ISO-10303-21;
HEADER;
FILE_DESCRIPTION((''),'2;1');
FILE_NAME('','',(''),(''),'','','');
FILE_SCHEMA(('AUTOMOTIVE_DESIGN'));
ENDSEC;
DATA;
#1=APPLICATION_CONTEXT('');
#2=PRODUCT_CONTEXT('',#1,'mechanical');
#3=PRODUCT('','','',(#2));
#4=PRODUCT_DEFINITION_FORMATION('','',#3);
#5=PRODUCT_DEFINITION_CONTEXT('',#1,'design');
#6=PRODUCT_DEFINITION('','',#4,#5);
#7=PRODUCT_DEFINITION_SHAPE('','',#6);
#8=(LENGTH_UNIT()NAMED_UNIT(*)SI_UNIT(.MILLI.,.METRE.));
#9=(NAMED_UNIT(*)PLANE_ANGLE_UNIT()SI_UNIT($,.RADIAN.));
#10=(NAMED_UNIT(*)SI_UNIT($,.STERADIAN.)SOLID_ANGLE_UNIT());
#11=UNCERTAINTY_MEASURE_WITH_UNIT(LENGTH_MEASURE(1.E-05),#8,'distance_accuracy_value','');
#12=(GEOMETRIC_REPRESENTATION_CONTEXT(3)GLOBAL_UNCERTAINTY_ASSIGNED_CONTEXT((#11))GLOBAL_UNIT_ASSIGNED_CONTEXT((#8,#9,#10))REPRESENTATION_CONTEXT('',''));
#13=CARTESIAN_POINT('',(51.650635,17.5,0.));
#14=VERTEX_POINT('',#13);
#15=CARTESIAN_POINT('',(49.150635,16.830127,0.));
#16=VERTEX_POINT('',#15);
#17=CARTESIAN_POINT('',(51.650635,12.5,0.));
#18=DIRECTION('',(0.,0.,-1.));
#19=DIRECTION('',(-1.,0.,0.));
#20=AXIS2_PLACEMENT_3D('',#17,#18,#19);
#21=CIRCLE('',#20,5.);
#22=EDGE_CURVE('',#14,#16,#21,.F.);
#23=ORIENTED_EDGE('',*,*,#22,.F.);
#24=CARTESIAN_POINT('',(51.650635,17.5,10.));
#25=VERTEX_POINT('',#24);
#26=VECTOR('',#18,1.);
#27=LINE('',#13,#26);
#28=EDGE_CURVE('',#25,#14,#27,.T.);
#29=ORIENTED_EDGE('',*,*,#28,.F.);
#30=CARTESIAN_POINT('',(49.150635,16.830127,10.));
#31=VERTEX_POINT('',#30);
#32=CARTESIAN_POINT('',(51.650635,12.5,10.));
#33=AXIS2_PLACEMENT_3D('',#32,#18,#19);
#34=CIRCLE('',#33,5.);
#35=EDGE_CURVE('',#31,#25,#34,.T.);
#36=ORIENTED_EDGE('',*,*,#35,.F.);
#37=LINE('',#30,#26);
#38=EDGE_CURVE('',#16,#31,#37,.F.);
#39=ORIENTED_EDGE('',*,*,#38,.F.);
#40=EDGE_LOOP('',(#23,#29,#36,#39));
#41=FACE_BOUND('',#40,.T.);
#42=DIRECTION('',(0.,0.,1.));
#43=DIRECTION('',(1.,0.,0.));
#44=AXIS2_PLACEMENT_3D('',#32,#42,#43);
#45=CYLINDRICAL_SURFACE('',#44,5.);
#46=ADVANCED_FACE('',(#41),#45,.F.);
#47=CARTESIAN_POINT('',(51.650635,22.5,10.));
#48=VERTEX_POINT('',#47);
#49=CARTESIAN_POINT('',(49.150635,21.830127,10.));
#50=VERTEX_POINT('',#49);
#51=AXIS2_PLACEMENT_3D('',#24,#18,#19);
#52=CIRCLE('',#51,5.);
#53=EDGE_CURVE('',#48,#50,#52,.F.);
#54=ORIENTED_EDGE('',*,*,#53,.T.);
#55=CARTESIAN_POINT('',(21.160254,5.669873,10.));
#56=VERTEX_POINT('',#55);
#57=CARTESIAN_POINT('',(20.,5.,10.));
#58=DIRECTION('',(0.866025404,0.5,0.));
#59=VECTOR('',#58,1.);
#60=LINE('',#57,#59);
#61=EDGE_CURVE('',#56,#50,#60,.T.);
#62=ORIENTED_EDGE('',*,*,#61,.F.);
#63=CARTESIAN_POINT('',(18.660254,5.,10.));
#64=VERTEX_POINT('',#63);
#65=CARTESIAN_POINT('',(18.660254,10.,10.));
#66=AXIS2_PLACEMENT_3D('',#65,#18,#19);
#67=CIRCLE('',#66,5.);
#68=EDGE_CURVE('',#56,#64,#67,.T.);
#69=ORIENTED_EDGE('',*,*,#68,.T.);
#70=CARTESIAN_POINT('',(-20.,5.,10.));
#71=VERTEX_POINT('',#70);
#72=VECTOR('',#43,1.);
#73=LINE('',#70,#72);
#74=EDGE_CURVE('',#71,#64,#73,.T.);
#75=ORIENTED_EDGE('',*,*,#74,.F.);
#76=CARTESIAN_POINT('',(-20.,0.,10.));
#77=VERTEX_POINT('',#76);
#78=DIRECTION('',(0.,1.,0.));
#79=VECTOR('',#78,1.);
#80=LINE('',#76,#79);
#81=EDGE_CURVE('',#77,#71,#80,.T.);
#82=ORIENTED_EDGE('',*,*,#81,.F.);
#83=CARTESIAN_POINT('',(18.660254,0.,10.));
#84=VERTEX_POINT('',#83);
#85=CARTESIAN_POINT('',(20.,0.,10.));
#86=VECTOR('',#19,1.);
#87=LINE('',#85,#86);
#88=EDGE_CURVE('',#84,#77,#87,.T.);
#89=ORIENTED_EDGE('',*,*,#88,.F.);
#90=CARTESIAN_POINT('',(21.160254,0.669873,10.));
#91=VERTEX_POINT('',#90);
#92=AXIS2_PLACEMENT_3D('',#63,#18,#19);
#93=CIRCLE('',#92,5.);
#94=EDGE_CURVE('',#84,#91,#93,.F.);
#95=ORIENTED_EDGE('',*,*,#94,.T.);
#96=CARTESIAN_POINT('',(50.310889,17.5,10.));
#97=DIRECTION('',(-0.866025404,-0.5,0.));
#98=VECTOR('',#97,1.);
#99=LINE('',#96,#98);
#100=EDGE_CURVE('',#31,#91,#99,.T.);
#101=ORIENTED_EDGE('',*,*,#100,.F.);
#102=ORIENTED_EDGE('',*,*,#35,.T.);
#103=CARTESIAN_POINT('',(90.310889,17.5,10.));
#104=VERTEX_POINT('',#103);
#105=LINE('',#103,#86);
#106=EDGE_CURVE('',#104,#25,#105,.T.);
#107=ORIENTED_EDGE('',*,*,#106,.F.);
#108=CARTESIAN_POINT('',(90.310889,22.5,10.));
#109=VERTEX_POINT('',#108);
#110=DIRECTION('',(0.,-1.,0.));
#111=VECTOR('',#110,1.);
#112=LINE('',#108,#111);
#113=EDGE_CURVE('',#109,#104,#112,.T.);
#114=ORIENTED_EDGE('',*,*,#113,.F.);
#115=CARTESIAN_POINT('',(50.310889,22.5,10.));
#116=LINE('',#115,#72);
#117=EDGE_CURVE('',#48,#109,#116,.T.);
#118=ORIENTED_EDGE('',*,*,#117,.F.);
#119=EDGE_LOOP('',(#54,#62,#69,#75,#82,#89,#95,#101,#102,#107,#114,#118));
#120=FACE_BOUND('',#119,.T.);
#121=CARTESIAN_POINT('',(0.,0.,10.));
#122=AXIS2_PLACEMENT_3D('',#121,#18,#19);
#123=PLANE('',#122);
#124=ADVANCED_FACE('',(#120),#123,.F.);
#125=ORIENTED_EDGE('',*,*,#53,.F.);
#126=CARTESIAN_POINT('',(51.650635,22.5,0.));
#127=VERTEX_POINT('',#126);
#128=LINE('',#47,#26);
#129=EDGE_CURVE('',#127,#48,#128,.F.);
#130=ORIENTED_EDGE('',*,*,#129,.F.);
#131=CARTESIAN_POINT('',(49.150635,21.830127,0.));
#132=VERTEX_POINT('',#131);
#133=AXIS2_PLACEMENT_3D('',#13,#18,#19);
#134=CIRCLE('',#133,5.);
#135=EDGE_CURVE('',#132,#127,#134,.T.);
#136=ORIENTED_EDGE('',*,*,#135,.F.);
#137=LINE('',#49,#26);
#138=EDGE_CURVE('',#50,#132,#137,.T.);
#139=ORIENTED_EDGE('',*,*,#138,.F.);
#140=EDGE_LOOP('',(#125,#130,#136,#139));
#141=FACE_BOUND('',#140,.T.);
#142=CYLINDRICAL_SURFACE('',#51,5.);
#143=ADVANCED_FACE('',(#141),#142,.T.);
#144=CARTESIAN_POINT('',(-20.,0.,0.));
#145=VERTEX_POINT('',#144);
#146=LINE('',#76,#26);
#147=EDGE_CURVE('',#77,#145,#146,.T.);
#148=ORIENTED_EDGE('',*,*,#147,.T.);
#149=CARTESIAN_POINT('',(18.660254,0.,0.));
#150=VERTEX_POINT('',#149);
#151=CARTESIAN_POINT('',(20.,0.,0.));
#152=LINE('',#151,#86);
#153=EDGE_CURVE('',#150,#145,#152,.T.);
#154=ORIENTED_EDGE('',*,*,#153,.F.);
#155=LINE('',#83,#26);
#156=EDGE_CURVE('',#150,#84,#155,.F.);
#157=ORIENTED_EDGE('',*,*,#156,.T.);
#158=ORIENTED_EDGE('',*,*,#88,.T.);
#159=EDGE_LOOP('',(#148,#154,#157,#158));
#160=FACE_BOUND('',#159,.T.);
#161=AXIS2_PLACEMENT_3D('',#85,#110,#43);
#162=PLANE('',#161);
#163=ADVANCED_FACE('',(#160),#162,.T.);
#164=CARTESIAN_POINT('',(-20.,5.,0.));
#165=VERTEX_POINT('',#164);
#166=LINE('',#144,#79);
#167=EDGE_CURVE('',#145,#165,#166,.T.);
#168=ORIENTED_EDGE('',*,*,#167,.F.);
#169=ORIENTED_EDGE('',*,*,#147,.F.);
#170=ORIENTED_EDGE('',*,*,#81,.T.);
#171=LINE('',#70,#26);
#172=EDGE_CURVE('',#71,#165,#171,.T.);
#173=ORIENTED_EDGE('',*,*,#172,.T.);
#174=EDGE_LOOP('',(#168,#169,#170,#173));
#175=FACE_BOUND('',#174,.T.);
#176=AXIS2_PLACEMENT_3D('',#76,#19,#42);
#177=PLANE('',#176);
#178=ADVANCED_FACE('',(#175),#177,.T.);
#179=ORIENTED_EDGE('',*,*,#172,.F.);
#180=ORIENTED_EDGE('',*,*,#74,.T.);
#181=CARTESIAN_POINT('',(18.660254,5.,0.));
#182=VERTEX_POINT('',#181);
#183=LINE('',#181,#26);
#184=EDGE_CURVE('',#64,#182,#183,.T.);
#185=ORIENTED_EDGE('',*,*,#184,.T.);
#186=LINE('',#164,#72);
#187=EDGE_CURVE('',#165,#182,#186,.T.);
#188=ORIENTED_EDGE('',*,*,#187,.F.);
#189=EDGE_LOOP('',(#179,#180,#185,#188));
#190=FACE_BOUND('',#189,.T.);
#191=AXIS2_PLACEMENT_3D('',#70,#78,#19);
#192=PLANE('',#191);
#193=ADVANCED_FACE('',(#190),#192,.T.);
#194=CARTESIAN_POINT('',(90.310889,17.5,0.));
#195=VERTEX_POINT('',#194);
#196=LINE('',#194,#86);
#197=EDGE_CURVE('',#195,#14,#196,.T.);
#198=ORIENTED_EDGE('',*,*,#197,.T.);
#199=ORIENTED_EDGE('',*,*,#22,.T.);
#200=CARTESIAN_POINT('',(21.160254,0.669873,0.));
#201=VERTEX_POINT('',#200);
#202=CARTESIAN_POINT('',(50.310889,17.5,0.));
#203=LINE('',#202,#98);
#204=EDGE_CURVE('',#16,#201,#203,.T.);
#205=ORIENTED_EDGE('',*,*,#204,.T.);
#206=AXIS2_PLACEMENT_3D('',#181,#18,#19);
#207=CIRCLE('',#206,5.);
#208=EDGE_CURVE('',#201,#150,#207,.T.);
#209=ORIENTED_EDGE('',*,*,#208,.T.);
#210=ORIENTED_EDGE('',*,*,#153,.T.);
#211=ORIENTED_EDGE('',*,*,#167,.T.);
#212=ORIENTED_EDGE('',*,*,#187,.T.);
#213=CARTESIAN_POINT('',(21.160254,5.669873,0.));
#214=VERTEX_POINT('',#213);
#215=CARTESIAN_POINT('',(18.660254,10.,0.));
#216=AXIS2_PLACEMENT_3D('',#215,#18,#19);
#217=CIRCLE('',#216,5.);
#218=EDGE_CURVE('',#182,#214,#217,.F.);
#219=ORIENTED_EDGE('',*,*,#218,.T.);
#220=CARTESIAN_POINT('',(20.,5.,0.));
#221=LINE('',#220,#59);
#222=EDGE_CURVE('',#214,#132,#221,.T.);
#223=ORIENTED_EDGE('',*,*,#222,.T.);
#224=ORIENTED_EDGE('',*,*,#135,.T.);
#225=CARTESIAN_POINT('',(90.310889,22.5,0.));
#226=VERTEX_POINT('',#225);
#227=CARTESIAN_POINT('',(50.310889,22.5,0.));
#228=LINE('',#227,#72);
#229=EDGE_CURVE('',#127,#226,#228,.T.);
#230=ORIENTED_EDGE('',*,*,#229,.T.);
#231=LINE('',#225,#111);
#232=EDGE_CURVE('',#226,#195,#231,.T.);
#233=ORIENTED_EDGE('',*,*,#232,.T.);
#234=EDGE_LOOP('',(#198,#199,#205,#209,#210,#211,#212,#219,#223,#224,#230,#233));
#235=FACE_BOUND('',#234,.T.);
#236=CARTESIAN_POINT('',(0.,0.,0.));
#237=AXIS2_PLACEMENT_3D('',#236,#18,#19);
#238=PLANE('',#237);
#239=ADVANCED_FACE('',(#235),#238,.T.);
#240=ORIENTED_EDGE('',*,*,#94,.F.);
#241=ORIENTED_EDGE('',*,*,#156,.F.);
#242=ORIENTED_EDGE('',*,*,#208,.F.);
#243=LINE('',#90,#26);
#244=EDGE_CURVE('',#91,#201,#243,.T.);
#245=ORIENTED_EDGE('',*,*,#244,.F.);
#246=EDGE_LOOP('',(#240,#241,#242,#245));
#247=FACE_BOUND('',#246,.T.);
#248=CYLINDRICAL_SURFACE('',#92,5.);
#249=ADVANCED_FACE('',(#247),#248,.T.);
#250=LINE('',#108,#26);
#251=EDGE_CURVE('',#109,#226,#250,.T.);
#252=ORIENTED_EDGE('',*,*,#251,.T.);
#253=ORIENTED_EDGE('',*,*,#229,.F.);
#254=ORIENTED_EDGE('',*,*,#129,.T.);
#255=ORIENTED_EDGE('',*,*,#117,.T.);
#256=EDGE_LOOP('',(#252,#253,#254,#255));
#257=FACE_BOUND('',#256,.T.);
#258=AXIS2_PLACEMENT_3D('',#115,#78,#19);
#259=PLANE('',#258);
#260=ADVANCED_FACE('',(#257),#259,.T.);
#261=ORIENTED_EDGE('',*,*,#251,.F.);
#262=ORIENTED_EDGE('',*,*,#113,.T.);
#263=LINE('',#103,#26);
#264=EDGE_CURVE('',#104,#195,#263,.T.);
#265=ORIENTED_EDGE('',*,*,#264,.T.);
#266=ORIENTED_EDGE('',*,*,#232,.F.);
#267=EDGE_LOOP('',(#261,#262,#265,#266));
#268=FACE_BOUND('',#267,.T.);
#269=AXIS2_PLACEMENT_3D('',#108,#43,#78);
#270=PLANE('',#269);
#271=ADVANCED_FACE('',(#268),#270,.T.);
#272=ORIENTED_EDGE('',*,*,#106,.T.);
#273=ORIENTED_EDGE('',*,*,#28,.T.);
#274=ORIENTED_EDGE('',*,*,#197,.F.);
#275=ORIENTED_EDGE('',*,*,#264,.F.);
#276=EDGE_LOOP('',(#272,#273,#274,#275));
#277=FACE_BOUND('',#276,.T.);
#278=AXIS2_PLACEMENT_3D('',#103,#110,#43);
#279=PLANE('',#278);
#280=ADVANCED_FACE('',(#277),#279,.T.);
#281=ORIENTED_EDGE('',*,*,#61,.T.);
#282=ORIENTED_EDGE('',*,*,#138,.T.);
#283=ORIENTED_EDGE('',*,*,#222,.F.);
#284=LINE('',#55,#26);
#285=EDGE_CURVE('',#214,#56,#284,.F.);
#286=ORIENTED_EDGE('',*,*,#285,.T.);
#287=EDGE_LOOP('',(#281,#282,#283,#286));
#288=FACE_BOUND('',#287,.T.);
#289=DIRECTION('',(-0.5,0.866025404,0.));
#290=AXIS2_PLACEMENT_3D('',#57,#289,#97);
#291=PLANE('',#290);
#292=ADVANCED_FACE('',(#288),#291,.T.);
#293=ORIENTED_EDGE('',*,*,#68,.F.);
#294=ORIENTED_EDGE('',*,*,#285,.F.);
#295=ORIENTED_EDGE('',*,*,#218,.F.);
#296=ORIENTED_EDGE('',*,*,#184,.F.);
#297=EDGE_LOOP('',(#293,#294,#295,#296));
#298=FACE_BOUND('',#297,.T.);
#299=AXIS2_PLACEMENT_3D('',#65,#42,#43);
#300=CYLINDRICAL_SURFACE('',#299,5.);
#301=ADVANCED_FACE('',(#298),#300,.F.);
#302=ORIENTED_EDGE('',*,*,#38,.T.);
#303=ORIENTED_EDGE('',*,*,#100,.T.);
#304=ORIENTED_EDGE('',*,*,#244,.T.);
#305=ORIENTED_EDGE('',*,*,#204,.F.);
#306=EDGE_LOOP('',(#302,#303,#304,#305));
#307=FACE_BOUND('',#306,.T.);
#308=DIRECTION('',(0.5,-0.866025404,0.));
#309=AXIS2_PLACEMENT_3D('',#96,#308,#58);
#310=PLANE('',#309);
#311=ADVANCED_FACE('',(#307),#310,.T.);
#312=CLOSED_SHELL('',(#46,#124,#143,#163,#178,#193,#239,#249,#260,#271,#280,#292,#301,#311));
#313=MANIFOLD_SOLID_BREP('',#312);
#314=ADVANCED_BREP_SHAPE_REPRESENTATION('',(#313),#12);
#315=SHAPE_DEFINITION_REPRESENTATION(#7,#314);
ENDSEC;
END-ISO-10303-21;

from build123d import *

# Parameters (mm, degrees)
BOSS_EXTRU_1_DEPTH = 10
CONG_1_R           = 5


with BuildPart() as part:
    # Esquisse1 → Boss.-Extru.1 (new body)
    with BuildSketch(Plane.XY):
        Polygon((-20, 5), (20, 5), (50.310889132, 22.5), (90.310889132, 22.5), (90.310889132, 17.5), (50.310889132, 17.5), (20, 0), (-20, 0), align=None)
    extrude(amount=BOSS_EXTRU_1_DEPTH)

    # Congé1
    cong_1_edges = [part.edges().sort_by_distance(p)[0] for p in [
        (20, 0, 5),
        (50.310889132, 17.5, 5),
        (50.310889132, 22.5, 5),
        (20, 5, 5),
    ]]
    fillet(cong_1_edges, radius=CONG_1_R)


solid = part.part
